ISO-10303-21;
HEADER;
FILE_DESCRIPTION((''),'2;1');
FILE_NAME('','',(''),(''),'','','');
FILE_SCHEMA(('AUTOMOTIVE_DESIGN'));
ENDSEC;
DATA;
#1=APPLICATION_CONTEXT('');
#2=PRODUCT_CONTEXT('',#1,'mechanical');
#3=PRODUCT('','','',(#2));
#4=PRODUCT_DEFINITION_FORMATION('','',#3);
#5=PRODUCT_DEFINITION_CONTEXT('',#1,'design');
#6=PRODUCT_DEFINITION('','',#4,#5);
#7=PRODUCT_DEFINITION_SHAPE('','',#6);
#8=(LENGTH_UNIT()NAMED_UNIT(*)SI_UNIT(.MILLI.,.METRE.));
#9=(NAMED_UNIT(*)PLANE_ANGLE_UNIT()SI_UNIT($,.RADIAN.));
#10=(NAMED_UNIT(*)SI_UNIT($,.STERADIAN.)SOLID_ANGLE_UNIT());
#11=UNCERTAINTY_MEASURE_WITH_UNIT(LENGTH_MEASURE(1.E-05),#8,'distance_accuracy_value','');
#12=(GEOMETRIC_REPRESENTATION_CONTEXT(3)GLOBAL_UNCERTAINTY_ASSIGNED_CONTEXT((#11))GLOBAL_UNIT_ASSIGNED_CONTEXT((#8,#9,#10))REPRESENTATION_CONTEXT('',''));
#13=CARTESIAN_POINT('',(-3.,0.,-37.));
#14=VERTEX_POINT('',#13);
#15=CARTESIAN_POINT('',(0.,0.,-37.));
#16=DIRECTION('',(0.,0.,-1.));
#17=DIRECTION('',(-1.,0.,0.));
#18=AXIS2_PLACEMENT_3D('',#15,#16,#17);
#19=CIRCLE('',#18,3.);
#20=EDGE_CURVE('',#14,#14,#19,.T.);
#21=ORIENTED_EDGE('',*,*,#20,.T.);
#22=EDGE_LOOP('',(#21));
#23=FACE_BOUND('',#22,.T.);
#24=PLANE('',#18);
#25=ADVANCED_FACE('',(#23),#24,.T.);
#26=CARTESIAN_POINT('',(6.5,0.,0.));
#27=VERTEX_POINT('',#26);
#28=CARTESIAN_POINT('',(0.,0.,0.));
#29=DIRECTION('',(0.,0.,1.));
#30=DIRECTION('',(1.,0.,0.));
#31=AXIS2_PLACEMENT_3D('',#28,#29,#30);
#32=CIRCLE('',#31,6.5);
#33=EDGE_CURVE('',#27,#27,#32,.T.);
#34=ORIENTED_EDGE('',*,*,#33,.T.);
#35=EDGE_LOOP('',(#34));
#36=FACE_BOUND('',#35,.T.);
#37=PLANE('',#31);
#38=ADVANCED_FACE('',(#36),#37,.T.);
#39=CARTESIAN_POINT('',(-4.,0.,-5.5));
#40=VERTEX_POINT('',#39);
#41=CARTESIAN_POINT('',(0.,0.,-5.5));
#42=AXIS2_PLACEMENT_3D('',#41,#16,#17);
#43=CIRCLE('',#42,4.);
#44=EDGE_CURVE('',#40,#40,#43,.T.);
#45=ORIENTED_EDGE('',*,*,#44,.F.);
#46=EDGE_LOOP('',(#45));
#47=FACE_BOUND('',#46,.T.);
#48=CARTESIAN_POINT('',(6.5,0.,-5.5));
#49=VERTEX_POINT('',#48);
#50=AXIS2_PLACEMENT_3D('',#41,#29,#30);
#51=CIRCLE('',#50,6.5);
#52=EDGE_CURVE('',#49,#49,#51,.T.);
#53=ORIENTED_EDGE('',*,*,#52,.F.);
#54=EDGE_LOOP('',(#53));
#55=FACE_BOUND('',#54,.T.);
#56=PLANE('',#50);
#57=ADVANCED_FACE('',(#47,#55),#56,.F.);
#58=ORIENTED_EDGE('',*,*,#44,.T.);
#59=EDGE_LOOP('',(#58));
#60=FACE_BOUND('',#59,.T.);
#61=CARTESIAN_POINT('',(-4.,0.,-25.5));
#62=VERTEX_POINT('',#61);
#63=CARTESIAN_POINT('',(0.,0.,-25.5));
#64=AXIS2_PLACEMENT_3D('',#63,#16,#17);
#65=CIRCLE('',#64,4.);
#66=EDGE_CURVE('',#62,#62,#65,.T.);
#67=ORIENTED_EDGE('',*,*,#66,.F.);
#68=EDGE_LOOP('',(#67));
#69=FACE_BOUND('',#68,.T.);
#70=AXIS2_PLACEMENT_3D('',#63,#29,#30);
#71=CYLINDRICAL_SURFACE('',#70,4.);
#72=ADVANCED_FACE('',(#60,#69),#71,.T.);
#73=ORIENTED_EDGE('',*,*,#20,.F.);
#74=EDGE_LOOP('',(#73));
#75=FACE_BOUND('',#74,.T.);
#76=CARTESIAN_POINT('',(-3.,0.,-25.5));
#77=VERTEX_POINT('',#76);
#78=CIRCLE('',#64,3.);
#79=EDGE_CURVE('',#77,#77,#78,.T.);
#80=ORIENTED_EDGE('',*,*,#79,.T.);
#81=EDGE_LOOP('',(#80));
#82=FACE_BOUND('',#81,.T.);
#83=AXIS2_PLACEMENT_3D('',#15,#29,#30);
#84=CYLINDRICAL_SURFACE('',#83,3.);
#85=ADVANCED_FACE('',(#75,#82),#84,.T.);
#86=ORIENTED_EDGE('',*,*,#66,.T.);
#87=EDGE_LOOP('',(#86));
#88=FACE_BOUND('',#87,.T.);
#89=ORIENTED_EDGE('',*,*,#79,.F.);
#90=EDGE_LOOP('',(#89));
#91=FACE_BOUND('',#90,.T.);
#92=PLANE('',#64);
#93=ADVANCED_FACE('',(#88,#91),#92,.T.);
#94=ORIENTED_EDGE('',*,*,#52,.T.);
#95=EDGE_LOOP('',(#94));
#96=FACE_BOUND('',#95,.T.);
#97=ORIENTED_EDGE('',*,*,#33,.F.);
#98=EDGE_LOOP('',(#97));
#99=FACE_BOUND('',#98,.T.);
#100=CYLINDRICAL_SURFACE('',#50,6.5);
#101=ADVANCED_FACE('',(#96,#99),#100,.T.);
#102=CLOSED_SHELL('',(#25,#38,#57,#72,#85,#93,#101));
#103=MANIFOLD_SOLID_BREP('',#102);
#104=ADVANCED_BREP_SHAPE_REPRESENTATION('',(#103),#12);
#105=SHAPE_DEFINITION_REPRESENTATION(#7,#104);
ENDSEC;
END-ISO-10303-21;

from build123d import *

# Parameters (mm, degrees)
SKETCH_1_R      = 6.5
EXTRUDE_1_DEPTH = 5.5
SKETCH_2_R      = 4
EXTRUDE_2_DEPTH = 20
SKETCH_3_R      = 3
EXTRUDE_3_DEPTH = 11.5


with BuildPart() as part:
    # 草图1 → 凸台-拉伸1 (new body)
    with BuildSketch(Plane.XY):
        Circle(SKETCH_1_R)
    extrude(amount=-EXTRUDE_1_DEPTH)

    # 草图2 → 凸台-拉伸2 (add)
    with BuildSketch(Plane(origin=(0, 0, -5.5), x_dir=(-1, 0, 0), z_dir=(0, 0, -1))):
        Circle(SKETCH_2_R)
    extrude(amount=EXTRUDE_2_DEPTH)

    # 草图3 → 凸台-拉伸3 (add)
    with BuildSketch(Plane(origin=(0, 0, -25.5), x_dir=(-1, 0, 0), z_dir=(0, 0, -1))):
        Circle(SKETCH_3_R)
    extrude(amount=EXTRUDE_3_DEPTH)


solid = part.part
